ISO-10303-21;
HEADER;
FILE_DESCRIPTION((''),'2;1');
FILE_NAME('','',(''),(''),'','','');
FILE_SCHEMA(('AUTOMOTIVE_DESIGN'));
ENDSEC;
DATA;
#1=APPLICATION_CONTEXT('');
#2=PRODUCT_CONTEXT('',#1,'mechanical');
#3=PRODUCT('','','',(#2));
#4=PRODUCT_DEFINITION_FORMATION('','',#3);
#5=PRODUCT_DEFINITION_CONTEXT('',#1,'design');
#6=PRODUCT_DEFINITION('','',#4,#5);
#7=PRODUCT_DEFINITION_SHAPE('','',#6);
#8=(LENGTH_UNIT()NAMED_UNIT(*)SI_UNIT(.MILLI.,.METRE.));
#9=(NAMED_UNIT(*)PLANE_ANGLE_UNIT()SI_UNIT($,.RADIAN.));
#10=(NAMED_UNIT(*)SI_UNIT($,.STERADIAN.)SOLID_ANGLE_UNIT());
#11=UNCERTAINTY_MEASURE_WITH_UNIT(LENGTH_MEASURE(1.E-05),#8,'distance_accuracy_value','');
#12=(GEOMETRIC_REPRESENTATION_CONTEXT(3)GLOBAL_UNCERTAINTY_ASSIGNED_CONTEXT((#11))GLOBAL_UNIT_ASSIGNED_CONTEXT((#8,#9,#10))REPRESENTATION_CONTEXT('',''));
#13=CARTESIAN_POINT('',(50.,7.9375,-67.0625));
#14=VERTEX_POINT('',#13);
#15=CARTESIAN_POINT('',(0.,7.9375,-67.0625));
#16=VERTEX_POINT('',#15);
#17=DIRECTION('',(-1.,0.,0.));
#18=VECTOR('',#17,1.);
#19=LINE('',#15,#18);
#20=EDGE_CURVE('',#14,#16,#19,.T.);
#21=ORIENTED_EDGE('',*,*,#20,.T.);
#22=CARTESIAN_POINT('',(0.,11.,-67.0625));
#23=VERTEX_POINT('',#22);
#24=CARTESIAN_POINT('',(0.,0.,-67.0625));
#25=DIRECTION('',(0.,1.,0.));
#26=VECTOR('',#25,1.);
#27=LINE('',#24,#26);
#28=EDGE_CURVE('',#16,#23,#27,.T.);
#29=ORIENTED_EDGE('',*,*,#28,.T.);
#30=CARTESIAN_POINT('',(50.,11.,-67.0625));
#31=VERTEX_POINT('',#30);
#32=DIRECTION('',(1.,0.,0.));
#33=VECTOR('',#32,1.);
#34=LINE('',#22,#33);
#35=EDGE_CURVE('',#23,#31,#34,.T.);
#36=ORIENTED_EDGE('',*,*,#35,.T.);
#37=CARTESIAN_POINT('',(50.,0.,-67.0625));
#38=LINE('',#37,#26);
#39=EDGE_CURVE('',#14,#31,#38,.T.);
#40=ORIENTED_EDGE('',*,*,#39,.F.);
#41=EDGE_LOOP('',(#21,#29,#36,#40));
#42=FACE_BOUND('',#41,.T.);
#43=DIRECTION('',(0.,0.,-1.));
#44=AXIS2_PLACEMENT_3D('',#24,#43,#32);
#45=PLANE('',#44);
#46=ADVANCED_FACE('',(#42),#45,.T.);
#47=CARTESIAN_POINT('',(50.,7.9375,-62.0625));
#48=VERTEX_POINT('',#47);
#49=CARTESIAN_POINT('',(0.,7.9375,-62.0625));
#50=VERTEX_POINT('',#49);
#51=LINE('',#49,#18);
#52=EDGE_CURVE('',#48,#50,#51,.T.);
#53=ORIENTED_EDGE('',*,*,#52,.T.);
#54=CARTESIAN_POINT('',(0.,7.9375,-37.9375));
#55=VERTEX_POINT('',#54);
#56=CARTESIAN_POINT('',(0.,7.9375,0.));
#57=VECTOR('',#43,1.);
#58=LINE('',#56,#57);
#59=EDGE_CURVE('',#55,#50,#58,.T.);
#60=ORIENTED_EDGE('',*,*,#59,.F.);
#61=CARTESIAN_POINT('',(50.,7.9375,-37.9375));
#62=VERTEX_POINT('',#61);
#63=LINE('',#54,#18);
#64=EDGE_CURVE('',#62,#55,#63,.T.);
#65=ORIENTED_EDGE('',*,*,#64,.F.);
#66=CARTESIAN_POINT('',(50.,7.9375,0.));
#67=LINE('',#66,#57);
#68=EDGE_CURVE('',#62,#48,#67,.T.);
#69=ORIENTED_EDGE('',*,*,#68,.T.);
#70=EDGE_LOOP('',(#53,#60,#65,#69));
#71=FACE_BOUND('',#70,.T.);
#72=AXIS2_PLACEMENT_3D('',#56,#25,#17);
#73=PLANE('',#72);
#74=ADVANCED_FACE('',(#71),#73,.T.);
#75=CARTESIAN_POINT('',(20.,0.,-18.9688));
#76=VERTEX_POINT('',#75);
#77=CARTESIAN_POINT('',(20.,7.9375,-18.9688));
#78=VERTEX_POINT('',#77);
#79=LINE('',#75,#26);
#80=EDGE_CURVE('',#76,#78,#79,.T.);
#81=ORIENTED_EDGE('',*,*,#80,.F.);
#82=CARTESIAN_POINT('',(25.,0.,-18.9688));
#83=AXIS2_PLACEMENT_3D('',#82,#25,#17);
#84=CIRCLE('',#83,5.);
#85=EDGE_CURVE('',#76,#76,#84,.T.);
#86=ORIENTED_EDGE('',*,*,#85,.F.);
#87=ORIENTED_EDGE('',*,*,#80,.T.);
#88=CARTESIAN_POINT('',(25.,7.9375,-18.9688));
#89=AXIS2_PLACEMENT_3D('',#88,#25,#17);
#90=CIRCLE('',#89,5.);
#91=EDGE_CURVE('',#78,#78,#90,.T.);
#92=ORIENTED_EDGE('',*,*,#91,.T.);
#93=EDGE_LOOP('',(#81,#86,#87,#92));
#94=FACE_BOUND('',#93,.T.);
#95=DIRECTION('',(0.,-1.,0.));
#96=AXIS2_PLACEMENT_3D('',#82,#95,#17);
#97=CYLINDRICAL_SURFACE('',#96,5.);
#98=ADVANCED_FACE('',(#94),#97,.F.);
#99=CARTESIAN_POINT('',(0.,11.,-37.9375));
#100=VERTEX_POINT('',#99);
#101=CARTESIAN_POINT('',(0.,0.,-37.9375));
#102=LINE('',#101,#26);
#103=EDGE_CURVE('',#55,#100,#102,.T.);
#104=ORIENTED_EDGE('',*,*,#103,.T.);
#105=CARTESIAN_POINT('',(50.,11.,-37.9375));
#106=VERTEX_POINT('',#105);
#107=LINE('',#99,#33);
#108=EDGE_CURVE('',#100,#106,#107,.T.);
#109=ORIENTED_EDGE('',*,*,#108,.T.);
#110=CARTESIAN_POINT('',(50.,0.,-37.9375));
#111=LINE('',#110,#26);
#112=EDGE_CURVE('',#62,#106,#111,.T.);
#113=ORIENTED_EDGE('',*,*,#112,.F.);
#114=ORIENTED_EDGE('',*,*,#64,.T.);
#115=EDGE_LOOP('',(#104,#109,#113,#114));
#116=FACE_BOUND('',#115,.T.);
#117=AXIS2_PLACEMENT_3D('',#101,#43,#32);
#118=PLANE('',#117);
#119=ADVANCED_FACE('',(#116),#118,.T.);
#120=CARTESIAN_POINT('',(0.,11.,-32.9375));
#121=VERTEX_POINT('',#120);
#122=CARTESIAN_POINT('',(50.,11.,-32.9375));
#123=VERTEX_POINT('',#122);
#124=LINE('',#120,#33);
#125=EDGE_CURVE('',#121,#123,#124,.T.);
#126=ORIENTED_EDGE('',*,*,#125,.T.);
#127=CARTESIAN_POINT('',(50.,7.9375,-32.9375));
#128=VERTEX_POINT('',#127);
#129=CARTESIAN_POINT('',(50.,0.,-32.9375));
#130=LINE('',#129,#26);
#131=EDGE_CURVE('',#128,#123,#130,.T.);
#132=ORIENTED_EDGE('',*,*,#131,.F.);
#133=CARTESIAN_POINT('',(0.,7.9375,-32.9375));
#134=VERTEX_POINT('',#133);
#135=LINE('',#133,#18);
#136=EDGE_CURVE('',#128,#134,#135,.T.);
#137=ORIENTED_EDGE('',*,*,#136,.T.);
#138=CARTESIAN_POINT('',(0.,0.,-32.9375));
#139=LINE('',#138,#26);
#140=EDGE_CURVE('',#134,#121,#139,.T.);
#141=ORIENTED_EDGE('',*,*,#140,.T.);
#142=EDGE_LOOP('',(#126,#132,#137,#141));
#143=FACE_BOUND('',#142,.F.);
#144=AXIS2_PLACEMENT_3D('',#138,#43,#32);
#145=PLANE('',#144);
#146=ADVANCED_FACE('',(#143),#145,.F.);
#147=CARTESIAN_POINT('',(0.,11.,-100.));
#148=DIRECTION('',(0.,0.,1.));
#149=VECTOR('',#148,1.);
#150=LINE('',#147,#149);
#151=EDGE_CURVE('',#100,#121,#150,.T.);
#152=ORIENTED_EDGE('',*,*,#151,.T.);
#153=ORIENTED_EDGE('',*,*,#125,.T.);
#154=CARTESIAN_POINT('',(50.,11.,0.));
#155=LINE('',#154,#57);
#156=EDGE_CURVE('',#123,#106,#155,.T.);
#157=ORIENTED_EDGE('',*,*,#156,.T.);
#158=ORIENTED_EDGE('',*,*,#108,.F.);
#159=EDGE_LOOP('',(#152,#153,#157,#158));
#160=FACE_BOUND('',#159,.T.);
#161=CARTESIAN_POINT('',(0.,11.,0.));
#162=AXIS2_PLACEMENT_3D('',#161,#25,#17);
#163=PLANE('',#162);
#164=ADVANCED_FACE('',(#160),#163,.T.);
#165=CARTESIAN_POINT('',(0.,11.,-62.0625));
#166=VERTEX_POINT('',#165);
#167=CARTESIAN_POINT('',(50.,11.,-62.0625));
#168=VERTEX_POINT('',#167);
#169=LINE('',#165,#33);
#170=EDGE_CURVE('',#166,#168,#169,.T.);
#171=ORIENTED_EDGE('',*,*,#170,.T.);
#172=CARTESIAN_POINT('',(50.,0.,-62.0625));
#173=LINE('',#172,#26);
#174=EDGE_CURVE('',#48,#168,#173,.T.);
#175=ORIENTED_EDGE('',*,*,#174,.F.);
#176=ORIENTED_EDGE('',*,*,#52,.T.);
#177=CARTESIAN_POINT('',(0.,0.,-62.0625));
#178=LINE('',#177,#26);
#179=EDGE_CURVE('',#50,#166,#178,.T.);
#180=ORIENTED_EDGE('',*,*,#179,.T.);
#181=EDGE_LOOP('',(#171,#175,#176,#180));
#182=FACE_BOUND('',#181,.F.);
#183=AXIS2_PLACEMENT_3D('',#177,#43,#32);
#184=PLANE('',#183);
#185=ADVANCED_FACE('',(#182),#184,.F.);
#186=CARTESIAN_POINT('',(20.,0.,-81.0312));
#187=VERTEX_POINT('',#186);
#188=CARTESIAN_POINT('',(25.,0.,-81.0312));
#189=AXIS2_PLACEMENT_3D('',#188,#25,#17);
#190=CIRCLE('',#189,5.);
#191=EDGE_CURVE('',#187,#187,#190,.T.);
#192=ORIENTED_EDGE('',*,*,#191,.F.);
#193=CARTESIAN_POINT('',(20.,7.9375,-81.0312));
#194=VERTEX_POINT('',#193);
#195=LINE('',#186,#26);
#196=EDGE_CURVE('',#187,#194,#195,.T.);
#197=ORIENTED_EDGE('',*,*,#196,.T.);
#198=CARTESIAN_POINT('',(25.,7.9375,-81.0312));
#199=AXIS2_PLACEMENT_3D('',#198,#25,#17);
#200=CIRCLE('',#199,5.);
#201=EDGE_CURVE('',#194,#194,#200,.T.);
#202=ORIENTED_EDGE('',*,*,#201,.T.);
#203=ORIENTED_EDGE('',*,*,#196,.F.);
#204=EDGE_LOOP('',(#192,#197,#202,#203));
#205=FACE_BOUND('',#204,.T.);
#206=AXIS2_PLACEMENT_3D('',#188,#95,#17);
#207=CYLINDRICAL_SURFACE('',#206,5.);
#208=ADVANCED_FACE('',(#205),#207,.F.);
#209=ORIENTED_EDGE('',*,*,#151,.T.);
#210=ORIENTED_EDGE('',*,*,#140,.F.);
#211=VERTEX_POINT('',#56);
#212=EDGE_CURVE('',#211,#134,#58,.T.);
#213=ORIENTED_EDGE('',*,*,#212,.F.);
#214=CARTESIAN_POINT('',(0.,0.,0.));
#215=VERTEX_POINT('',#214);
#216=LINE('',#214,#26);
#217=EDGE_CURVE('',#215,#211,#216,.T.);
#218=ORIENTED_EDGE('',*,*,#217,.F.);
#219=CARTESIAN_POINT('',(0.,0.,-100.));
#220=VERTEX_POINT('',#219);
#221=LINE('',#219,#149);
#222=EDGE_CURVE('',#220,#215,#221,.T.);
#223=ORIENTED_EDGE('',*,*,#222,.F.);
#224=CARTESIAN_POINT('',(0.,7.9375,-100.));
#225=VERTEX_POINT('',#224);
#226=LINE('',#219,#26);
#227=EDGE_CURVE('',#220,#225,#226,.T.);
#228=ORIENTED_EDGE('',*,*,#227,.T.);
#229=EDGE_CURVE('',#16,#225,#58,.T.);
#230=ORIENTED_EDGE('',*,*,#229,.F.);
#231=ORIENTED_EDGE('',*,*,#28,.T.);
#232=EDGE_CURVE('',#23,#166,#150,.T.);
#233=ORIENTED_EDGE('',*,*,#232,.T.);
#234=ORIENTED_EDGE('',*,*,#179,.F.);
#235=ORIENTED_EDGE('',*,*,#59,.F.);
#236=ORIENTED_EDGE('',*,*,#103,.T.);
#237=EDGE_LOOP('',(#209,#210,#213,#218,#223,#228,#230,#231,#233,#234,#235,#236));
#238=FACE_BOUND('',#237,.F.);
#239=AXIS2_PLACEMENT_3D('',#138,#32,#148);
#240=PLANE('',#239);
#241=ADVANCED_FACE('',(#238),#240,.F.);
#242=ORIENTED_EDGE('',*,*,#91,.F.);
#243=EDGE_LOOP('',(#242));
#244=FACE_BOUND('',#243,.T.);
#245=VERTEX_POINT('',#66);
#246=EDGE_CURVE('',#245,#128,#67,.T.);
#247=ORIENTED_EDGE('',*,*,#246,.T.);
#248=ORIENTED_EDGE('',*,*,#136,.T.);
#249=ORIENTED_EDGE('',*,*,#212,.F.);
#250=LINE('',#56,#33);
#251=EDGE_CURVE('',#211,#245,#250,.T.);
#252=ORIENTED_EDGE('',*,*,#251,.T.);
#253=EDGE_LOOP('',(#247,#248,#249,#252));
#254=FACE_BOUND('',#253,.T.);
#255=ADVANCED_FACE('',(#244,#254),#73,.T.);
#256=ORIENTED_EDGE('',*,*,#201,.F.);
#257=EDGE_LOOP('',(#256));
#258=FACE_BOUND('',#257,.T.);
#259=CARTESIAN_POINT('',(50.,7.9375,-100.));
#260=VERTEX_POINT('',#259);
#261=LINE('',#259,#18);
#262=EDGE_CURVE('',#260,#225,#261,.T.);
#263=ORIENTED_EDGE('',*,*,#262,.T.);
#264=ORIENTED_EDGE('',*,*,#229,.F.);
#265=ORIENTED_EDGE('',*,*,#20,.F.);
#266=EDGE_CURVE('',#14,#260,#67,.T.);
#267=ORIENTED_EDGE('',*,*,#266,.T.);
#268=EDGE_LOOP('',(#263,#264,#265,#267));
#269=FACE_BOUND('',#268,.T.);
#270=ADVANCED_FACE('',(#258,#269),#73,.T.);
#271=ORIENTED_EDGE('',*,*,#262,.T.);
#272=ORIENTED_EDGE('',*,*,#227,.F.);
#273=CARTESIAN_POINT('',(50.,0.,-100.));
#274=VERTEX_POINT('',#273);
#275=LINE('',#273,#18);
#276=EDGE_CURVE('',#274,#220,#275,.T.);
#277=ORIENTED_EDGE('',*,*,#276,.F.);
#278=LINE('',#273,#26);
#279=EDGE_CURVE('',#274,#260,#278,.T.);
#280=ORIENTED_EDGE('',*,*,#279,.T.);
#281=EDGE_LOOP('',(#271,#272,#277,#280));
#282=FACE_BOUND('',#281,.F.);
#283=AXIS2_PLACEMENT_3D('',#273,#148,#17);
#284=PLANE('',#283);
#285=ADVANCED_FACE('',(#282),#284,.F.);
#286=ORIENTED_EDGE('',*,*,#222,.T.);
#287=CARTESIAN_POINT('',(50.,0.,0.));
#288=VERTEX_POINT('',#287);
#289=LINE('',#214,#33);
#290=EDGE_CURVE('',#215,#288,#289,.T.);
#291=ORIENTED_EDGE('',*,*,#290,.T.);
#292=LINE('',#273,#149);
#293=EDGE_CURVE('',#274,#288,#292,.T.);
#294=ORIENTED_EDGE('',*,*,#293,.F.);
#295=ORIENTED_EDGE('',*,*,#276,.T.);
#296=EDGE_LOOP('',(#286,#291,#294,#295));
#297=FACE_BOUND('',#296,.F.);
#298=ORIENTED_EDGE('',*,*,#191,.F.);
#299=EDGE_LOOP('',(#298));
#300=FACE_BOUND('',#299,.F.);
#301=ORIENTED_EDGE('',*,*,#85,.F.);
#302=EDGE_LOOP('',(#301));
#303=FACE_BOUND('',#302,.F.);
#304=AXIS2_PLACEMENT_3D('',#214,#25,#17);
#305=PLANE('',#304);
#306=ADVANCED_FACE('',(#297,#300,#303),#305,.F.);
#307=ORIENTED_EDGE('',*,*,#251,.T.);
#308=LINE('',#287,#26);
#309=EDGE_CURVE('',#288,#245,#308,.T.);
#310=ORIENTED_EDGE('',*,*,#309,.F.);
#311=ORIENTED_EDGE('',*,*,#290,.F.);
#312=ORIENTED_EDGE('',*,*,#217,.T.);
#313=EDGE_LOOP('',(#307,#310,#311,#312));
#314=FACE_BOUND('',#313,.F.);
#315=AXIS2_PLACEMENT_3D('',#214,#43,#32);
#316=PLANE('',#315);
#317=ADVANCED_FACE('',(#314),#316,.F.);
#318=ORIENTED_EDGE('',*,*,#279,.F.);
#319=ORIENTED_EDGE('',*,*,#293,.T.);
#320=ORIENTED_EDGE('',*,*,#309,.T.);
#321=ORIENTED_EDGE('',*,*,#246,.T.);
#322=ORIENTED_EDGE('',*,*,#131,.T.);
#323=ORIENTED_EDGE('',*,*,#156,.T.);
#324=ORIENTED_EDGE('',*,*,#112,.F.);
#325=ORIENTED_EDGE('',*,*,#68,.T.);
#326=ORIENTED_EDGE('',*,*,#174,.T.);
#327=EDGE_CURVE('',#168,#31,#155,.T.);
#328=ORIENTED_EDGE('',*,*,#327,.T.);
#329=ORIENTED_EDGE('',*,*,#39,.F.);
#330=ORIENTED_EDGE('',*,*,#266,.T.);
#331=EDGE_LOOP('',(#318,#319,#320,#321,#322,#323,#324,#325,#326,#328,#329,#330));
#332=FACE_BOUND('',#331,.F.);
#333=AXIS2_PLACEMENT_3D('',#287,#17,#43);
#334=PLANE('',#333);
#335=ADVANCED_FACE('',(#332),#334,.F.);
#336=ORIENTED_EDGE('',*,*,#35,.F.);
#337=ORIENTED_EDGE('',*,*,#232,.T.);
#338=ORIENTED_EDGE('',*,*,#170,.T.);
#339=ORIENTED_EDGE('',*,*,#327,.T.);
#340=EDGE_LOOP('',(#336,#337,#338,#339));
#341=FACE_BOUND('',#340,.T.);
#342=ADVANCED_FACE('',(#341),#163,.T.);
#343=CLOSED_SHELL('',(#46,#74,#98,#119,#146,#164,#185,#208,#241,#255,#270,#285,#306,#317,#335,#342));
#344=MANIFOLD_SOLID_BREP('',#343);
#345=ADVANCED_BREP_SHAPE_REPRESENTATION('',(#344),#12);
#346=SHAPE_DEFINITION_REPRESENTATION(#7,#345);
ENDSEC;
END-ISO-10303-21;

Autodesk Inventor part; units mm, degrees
ref_plane "YZ Plane" through (0, 0, 0) normal (1, 0, 0) x (0, 1, 0)
ref_plane "XZ Plane" through (0, 0, 0) normal (0, 1, 0) x (-1, 0, 0)
ref_plane "XY Plane" through (0, 0, 0) normal (0, 0, 1) x (1, 0, 0)
sketch "Sketch1" plane through (0, 0, 0) normal (0, 1, 0) x (-1, 0, 0)
  line L0 (0, 0) -> (-50, 0)
  line L1 (-50, 0) -> (-50, -100)
  line L2 (-50, -100) -> (0, -100)
  line L3 (0, -100) -> (0, 0)
  circle A0 centre (-25, -18.9688) radius 5
  circle A1 centre (-25, -81.0312) radius 5
  line L4 (0, -37.9375) -> (-50, -37.9375)
  line L5 (0, -62.0625) -> (-50, -62.0625)
  line L6 (0, -32.9375) -> (-50, -32.9375)
  line L7 (0, -67.0625) -> (-50, -67.0625)
  dimension "d0" = 50
  dimension "d1" = 100
  dimension "d2" = 18.9688
  dimension "d3" = 18.9688
  dimension "d4" = 10
  dimension "d5" = 25
  dimension "d8" = 24.125
  dimension "d9" = 37.9375
  dimension "d10" = 5
  dimension "d11" = 5
extrude "Extrusion1" add sketch "Sketch1" along normal blind 7.9375
extrude "Extrusion2" add sketch "Sketch1" along normal blind 11 contours L3 L4 L1 L6 | L3 L7 L1 L5
properties part number "bodystandoff" material "Steel, Cast"
